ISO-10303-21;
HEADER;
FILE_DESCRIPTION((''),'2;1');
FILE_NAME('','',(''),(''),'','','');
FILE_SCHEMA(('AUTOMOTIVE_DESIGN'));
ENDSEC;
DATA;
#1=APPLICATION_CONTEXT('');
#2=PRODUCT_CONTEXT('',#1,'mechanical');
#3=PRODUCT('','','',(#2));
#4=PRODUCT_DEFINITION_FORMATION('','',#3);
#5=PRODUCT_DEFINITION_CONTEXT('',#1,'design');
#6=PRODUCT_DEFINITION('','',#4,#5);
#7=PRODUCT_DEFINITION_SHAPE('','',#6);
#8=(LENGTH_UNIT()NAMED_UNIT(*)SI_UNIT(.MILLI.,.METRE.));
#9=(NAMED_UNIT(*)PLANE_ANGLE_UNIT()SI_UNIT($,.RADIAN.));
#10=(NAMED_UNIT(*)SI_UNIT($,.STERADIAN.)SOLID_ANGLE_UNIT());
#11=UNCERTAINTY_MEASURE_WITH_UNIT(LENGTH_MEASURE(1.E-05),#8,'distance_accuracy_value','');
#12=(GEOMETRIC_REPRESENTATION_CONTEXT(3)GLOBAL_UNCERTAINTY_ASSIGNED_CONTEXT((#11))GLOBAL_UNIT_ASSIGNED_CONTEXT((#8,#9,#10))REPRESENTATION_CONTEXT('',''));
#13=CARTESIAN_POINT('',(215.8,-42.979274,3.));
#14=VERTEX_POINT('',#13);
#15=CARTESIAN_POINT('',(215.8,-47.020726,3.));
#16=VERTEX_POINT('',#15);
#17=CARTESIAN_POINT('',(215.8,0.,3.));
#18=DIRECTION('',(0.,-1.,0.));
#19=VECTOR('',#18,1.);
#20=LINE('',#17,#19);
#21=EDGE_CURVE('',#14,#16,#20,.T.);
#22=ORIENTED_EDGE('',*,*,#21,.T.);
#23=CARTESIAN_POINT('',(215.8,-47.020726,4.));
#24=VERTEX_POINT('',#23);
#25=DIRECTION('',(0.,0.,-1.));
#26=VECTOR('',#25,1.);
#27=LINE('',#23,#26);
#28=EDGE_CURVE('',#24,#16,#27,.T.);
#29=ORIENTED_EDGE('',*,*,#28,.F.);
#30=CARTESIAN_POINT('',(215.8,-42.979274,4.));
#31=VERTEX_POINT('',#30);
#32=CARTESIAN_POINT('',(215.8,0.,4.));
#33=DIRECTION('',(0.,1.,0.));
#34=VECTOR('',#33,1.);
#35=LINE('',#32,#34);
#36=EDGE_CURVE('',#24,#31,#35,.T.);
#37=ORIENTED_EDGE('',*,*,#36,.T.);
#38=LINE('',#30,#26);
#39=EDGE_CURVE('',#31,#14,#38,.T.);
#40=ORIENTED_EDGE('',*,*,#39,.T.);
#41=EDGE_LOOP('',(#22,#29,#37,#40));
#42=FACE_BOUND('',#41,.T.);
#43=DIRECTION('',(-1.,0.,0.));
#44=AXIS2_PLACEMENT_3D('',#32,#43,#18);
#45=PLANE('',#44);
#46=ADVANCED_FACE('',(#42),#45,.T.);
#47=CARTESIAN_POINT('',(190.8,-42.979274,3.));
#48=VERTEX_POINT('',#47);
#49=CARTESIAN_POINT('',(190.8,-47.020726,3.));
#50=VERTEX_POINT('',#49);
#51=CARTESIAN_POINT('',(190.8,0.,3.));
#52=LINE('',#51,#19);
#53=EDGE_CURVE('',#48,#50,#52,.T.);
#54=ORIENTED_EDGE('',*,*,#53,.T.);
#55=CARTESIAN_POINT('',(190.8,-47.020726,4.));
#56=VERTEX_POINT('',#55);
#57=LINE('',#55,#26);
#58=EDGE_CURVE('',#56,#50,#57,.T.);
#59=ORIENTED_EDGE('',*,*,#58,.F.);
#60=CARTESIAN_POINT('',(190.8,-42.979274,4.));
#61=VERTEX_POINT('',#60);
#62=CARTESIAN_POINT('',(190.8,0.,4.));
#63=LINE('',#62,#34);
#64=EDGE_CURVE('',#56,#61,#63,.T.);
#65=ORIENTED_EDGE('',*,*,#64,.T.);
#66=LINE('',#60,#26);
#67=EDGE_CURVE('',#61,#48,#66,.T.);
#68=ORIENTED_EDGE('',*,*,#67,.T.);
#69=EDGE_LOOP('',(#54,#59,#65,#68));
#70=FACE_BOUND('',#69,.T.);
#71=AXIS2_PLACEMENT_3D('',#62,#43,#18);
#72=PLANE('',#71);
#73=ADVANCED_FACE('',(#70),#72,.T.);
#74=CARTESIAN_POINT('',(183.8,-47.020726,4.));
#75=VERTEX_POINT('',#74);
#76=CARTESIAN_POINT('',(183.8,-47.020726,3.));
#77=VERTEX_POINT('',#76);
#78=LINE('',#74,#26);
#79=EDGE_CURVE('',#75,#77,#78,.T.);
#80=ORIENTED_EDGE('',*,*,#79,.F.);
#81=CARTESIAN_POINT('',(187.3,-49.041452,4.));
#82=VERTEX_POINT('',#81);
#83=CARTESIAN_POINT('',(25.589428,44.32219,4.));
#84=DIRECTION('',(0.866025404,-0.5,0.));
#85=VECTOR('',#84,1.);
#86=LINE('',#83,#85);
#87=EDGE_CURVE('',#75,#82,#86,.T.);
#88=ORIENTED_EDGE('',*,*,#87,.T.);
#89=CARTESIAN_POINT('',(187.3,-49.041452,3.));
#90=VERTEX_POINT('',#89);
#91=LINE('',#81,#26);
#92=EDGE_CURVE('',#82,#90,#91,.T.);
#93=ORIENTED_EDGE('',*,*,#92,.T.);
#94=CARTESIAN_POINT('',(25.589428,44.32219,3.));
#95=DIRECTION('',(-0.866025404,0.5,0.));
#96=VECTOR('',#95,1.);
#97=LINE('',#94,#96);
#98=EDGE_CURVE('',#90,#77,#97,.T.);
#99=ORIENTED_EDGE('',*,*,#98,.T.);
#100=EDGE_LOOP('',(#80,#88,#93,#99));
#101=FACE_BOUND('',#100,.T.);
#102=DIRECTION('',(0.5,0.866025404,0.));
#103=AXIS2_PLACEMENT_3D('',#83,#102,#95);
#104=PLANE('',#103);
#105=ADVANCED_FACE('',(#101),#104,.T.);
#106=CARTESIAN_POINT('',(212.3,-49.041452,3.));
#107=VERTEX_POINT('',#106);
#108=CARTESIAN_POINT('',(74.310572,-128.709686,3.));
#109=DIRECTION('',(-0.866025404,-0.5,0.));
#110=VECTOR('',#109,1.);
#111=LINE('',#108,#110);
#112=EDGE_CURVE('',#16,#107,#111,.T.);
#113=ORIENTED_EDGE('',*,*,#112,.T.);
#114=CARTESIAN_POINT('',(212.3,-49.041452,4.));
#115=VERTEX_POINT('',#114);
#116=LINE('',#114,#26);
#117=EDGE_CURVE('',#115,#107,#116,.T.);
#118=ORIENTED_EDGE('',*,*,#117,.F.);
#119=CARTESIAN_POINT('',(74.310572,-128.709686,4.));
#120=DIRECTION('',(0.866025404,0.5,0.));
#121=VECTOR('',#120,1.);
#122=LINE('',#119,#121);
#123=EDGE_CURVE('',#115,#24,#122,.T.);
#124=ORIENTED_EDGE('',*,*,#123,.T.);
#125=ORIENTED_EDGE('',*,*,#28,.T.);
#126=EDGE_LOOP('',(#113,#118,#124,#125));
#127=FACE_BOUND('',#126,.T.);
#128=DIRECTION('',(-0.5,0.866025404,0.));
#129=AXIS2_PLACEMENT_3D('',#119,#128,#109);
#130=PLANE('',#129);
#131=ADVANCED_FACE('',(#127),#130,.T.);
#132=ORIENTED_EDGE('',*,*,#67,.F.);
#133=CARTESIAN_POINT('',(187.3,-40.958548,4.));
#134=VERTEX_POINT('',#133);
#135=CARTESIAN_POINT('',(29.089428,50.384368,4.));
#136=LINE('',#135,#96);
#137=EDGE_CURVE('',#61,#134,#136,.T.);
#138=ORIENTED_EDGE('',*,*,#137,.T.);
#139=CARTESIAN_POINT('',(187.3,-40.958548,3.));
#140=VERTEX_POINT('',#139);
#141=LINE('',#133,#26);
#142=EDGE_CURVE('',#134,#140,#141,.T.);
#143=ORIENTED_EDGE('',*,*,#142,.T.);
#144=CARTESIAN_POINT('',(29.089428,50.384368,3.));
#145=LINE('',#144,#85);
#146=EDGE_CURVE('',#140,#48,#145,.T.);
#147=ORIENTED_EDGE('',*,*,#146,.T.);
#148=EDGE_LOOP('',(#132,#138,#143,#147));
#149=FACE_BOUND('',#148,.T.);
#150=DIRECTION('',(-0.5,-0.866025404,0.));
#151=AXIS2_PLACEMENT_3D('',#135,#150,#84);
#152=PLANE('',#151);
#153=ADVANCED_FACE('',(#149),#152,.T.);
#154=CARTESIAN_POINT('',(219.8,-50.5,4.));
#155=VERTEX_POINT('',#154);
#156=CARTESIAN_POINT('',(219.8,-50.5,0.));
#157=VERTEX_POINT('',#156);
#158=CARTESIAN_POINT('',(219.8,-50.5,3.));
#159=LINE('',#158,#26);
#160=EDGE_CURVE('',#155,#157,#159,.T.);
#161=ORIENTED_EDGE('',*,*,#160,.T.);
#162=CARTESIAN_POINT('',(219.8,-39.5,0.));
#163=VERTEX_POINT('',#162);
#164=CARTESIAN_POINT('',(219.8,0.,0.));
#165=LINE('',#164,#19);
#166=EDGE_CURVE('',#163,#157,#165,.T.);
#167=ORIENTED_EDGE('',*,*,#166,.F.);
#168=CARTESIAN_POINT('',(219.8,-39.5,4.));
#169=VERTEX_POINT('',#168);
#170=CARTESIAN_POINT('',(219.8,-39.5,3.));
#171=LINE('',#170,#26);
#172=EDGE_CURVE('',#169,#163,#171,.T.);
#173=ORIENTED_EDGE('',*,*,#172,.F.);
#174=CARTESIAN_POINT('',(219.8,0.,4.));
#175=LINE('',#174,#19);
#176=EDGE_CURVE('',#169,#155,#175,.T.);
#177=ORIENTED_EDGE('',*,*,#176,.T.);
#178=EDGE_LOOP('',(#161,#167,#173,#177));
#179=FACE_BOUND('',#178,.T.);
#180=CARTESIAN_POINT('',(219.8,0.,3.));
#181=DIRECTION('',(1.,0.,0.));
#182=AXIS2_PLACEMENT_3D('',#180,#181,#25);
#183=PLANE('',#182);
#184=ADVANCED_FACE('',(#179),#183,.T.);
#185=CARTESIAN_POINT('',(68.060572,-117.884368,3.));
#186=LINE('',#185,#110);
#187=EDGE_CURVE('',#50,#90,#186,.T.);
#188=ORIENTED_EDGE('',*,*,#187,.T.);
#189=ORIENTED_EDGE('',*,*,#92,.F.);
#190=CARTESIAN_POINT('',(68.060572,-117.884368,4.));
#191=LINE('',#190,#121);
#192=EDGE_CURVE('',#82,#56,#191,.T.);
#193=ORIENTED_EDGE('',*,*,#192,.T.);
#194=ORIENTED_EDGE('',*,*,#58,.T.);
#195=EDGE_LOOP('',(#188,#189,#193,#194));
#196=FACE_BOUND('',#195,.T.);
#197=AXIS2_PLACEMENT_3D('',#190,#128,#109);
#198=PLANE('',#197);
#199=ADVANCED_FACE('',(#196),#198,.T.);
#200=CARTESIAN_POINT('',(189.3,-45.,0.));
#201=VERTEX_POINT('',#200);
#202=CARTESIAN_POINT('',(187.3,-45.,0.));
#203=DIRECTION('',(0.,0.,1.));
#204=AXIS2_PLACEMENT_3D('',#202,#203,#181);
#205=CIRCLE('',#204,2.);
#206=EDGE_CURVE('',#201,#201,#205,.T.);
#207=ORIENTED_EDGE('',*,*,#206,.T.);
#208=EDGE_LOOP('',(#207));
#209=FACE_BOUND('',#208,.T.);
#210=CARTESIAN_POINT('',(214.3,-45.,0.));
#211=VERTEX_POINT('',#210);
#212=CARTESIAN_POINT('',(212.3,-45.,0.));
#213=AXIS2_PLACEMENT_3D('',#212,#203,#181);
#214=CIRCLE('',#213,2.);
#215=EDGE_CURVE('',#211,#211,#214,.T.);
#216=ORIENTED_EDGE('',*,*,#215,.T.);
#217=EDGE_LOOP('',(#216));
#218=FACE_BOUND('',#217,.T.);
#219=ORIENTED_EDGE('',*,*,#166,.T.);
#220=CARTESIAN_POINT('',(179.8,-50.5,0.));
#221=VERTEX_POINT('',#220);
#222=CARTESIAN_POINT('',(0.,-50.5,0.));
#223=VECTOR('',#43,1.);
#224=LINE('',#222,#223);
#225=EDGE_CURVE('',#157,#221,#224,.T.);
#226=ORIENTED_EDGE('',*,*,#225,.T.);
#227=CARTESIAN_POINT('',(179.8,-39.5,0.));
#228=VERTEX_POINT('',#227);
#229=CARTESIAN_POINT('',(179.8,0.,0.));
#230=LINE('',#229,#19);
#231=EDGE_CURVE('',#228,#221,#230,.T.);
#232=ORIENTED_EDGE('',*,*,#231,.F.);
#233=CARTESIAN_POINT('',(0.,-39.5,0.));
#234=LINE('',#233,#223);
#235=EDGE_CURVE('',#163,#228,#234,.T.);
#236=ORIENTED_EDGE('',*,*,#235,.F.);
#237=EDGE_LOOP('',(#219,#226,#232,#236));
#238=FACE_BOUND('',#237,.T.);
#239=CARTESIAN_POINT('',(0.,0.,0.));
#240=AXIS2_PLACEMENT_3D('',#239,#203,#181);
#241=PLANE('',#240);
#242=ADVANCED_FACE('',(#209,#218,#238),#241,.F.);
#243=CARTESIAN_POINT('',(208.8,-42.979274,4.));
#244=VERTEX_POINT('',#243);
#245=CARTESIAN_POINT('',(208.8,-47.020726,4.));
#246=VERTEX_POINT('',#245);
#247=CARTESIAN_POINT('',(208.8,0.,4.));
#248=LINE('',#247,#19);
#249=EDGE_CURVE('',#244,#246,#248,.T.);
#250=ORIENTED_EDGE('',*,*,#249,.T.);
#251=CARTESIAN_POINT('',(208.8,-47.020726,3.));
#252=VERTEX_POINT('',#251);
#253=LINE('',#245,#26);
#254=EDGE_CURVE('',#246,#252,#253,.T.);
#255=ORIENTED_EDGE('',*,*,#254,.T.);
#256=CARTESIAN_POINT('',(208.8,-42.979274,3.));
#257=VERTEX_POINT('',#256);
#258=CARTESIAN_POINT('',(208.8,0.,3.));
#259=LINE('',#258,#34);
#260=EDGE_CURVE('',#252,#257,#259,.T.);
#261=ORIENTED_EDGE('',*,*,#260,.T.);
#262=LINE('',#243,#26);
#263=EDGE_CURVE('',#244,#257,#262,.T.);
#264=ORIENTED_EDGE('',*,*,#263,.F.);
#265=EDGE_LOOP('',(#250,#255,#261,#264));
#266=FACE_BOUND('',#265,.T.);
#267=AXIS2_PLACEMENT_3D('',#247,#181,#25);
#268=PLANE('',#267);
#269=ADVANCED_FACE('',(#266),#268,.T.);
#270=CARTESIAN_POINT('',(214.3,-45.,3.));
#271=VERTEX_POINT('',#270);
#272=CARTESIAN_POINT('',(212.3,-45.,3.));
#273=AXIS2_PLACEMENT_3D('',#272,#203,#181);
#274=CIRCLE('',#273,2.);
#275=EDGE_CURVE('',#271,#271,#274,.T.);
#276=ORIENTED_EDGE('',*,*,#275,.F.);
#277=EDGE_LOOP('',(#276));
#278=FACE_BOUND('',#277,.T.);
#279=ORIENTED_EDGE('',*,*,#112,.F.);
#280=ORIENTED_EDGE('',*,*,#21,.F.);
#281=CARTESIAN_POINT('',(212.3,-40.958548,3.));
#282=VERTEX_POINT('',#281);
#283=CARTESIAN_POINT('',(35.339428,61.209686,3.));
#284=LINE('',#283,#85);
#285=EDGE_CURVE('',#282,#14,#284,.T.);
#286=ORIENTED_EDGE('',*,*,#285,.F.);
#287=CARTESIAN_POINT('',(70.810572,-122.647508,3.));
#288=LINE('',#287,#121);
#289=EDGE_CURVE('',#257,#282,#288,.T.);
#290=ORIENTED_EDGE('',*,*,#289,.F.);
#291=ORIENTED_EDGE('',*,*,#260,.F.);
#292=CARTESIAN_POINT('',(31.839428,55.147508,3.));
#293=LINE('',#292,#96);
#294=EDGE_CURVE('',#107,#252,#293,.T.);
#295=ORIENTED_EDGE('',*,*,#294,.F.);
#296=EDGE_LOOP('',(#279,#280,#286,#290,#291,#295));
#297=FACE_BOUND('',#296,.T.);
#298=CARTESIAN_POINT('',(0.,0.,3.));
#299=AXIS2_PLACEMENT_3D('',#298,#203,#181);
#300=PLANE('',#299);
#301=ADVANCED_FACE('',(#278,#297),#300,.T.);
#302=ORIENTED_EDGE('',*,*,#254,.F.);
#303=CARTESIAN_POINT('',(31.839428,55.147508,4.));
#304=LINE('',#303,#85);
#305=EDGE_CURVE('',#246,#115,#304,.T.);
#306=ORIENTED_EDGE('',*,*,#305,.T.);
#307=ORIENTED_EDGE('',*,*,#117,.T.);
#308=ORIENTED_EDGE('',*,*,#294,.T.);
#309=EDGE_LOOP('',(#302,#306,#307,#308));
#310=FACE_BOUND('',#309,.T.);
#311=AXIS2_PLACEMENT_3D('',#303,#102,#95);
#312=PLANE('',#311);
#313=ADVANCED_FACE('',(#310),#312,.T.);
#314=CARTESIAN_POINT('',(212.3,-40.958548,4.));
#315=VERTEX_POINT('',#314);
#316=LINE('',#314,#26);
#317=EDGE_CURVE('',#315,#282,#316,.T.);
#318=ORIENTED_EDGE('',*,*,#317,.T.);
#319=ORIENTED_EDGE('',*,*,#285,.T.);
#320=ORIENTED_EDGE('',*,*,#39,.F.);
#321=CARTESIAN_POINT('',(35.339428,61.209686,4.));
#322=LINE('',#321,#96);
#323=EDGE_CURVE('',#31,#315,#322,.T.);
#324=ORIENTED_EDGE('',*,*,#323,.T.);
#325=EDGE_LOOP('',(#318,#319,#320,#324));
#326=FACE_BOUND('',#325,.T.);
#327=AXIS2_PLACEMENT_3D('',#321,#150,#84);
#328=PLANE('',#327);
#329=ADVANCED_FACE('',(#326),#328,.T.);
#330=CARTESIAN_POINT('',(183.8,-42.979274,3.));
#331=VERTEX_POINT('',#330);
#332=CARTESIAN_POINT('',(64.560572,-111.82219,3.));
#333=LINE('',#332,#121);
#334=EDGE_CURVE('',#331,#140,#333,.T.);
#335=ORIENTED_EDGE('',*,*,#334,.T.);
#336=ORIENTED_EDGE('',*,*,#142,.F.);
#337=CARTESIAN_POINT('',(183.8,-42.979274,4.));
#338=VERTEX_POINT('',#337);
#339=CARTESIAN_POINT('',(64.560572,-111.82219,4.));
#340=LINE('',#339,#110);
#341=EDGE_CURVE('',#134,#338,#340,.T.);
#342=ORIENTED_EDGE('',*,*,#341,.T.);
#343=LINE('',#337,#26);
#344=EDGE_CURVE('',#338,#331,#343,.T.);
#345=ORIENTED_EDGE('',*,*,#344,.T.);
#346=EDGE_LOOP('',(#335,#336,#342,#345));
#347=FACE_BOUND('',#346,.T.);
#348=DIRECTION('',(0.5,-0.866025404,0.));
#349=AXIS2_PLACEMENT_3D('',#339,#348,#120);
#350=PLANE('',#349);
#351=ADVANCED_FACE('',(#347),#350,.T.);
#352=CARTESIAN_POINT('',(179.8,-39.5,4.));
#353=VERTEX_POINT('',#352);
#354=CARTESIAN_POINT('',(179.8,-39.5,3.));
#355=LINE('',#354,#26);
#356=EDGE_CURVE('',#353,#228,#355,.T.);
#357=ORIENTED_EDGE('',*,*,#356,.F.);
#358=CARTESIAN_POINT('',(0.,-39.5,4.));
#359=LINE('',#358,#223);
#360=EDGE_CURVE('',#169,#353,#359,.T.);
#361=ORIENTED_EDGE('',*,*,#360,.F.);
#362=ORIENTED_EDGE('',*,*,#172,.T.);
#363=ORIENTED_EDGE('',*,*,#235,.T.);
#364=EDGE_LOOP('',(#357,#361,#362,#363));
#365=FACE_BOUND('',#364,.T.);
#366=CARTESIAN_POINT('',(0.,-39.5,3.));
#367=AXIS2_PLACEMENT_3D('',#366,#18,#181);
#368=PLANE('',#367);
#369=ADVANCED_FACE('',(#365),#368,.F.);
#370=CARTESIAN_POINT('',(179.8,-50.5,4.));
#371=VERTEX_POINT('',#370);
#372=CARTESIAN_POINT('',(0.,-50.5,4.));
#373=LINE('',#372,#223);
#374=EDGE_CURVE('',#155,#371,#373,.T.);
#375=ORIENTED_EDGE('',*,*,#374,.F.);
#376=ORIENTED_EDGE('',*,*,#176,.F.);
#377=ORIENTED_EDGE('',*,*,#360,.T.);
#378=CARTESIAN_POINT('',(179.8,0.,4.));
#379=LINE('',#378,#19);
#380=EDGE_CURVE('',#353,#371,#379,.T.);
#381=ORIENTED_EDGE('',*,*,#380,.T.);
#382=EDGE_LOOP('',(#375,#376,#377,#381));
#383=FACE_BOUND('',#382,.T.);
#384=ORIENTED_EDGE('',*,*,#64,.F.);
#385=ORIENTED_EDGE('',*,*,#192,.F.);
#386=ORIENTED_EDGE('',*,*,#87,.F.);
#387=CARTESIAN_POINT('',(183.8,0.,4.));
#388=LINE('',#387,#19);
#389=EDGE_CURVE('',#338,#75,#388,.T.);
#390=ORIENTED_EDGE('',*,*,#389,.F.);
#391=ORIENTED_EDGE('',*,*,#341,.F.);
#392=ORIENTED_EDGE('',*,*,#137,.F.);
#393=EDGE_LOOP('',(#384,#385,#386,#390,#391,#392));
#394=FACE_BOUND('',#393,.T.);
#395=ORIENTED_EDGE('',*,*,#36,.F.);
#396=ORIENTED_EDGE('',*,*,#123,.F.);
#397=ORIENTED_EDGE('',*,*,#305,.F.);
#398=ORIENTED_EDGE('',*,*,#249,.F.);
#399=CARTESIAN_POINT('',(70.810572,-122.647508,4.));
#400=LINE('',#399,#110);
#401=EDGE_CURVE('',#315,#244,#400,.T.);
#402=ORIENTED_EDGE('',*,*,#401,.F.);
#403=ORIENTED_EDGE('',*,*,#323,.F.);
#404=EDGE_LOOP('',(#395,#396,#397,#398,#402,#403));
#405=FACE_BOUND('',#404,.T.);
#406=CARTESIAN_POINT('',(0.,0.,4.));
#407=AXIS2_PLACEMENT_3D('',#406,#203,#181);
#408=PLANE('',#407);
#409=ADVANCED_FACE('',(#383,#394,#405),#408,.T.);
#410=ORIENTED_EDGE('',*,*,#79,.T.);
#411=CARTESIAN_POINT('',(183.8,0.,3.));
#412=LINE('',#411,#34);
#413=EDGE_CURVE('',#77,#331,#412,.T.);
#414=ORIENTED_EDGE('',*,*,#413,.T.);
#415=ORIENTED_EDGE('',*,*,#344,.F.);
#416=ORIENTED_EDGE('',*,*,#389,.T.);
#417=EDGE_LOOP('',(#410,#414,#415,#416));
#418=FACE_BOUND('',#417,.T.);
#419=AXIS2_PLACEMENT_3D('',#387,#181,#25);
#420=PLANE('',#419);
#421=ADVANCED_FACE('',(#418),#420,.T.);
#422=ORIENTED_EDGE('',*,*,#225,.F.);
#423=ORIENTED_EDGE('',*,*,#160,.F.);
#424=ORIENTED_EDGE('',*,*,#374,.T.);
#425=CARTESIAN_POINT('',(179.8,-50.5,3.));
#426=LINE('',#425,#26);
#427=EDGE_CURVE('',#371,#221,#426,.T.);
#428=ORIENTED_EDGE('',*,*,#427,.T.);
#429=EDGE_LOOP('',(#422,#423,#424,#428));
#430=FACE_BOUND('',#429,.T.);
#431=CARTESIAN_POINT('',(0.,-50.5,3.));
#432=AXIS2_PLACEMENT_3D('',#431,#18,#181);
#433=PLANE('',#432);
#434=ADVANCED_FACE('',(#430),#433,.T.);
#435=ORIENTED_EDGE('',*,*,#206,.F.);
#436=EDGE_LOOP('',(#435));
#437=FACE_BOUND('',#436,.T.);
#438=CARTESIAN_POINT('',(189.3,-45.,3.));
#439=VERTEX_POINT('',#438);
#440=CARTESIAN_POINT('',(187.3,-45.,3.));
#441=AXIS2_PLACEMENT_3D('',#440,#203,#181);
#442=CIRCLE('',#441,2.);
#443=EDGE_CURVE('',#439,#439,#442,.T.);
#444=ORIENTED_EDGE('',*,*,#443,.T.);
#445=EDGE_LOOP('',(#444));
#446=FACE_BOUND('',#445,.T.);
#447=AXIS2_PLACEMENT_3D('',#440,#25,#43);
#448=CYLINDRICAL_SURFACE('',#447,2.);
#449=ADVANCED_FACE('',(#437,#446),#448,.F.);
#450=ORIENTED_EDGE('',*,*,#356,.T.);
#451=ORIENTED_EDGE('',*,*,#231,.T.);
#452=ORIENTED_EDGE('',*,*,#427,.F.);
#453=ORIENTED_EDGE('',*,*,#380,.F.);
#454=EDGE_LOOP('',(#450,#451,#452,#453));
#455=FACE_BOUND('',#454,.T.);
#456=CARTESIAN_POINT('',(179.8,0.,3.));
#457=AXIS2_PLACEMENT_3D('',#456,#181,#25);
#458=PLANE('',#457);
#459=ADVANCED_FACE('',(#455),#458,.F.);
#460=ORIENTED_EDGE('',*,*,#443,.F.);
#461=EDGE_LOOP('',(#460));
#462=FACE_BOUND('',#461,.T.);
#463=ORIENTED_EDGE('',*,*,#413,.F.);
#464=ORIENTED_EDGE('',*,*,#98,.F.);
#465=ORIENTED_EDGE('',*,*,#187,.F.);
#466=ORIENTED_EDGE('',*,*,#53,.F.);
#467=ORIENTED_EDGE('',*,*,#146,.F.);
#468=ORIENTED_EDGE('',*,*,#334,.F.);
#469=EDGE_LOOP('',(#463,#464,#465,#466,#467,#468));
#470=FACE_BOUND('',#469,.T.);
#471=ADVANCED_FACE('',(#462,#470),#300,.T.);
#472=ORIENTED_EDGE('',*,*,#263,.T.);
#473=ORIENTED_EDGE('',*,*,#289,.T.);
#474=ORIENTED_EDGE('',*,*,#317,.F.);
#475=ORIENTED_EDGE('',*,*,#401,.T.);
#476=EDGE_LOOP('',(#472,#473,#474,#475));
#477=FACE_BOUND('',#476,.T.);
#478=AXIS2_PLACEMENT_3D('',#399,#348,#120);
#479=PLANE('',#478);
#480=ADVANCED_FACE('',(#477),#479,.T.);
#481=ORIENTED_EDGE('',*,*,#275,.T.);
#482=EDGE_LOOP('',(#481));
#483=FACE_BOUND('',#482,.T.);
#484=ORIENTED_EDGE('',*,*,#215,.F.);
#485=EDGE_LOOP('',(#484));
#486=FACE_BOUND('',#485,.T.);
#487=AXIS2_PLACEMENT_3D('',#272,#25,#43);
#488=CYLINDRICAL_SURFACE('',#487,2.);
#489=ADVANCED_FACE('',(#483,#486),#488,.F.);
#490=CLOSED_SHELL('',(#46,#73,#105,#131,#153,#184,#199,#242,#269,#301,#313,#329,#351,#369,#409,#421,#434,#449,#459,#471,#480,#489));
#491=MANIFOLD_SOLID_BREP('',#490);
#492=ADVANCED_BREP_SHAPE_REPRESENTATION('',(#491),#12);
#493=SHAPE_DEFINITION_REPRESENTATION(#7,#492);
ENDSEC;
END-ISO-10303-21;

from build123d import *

# Parameters (mm, degrees)
SKETCH1_W           = 40
SKETCH1_H           = 11
SKETCH1_R           = 2
BOSS_EXTRUDE1_DEPTH = 3
SKETCH1_3_W         = 40
SKETCH1_3_H         = 11
BOSS_EXTRUDE2_DEPTH = 4


with BuildPart() as part:
    # Sketch1 → Boss-Extrude1 (new body)
    with BuildSketch(Plane.XY):
        with Locations((199.8, -45)):
            Rectangle(SKETCH1_W, SKETCH1_H)
        with Locations((187.3, -45)):
            Circle(SKETCH1_R, mode=Mode.SUBTRACT)
        with Locations((212.3, -45)):
            Circle(SKETCH1_R, mode=Mode.SUBTRACT)
    extrude(amount=BOSS_EXTRUDE1_DEPTH)

    # Sketch1<3> → Boss-Extrude2 (add)
    with BuildSketch(Plane.XY):
        with Locations((199.8, -45)):
            Rectangle(SKETCH1_3_W, SKETCH1_3_H)
        Polygon((190.8, -47.020725942), (187.3, -49.041451884), (183.8, -47.020725942), (183.8, -42.979274058), (187.3, -40.958548116), (190.8, -42.979274058), align=None, mode=Mode.SUBTRACT)
        Polygon((215.8, -47.020725942), (212.3, -49.041451884), (208.8, -47.020725942), (208.8, -42.979274058), (212.3, -40.958548116), (215.8, -42.979274058), align=None, mode=Mode.SUBTRACT)
    extrude(amount=BOSS_EXTRUDE2_DEPTH)


solid = part.part
